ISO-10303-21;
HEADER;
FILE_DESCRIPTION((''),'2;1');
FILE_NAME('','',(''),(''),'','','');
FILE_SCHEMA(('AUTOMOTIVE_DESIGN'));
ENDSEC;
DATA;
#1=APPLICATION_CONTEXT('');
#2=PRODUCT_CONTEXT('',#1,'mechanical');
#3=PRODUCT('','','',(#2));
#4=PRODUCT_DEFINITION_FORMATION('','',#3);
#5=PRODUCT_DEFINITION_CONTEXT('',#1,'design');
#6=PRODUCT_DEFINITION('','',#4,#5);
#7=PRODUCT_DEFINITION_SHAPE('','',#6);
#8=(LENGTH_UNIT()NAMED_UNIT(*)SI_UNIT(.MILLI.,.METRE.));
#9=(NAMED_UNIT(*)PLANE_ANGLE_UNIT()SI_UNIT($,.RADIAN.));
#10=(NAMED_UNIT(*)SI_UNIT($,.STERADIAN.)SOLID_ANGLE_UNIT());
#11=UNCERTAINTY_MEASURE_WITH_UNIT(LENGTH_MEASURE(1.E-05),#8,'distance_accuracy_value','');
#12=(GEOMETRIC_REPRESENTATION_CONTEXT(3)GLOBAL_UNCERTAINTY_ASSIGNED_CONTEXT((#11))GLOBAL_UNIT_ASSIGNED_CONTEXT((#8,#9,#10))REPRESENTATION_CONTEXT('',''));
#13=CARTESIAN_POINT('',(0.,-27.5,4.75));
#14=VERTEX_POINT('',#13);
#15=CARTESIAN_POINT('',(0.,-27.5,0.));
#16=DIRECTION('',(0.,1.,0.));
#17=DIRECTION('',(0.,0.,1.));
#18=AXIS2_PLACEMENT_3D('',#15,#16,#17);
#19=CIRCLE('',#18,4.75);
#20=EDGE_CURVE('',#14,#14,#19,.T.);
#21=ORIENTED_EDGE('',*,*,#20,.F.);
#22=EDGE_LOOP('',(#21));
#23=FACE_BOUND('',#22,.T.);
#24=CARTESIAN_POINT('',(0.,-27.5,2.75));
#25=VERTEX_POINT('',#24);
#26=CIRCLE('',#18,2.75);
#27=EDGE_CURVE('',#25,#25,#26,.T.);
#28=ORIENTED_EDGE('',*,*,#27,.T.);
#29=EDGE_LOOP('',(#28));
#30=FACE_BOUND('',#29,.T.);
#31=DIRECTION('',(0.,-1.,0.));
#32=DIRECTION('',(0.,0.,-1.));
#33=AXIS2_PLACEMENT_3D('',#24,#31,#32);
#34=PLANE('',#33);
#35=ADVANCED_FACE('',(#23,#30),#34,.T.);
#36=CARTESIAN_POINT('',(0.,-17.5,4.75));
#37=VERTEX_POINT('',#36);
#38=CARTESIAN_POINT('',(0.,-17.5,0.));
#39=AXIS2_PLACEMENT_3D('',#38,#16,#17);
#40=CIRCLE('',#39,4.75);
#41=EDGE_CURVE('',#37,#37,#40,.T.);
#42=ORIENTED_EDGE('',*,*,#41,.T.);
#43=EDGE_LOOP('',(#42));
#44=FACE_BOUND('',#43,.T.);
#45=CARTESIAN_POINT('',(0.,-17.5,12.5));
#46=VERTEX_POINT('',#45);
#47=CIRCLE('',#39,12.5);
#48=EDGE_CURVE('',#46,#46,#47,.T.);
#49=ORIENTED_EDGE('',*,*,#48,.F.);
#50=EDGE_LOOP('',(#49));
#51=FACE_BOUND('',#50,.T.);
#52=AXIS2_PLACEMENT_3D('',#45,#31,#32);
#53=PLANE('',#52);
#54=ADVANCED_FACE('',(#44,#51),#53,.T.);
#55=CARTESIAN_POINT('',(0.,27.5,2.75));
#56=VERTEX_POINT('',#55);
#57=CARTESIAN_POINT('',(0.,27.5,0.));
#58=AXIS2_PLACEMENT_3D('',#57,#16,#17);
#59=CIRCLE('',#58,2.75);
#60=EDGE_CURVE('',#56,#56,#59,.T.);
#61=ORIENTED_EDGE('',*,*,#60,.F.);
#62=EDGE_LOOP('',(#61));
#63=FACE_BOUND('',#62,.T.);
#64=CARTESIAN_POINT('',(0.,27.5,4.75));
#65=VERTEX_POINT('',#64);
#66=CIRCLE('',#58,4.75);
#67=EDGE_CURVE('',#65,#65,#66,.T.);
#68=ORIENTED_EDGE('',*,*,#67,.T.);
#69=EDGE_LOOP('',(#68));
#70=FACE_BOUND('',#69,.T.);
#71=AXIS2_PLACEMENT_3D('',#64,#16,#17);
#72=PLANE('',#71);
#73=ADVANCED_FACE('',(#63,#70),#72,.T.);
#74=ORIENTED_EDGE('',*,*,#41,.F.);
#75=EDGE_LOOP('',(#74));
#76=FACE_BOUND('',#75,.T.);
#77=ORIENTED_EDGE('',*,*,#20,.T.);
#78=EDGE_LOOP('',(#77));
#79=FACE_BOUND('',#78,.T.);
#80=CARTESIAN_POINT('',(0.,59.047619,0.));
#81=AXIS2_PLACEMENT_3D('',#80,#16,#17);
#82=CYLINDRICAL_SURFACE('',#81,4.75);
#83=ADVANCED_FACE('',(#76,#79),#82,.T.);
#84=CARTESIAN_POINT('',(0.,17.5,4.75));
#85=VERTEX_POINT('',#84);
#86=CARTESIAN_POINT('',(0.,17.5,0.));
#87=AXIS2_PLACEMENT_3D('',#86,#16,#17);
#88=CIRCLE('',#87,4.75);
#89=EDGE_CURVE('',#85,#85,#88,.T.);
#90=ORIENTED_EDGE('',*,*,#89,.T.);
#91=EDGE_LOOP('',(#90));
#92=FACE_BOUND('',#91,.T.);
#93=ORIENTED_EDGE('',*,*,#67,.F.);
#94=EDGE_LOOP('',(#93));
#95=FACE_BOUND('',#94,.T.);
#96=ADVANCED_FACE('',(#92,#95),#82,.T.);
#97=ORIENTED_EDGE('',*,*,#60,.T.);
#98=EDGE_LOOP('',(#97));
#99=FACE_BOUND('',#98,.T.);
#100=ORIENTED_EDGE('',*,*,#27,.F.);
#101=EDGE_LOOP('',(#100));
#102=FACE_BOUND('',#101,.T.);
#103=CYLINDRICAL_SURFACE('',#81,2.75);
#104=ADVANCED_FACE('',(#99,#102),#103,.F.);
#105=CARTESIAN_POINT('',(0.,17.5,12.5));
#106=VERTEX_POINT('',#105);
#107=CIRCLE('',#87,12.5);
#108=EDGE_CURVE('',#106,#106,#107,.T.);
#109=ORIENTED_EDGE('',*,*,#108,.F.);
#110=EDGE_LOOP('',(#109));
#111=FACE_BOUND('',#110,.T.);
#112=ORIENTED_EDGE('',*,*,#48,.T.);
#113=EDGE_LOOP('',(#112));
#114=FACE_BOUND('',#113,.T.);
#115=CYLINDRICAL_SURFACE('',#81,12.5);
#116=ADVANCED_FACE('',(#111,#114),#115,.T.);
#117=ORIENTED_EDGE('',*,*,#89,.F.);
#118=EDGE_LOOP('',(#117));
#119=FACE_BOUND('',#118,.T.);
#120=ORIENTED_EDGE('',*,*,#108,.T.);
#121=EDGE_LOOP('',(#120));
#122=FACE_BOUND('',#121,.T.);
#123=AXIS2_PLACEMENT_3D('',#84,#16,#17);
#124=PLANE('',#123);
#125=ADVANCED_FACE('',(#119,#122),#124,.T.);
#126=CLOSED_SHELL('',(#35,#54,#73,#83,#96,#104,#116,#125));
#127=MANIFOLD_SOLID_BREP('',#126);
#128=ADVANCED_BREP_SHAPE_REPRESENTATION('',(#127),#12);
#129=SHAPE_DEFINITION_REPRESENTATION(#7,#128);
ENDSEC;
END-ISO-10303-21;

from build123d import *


with BuildPart() as part:
    # Sketch1 → Revolve1 (revolve)
    with BuildSketch(Plane(origin=(0, 0, 0), x_dir=(0, 0, -1), z_dir=(1, 0, 0))):
        Polygon((-4.75, 27.5), (-4.75, 17.5), (-12.5, 17.5), (-12.5, -17.5), (-4.75, -17.5), (-4.75, -27.5), (-2.75, -27.5), (-2.75, 27.5), align=None)
    revolve(axis=Axis((0, 59.047619048, 0), (0, -1, 0)))


solid = part.part
